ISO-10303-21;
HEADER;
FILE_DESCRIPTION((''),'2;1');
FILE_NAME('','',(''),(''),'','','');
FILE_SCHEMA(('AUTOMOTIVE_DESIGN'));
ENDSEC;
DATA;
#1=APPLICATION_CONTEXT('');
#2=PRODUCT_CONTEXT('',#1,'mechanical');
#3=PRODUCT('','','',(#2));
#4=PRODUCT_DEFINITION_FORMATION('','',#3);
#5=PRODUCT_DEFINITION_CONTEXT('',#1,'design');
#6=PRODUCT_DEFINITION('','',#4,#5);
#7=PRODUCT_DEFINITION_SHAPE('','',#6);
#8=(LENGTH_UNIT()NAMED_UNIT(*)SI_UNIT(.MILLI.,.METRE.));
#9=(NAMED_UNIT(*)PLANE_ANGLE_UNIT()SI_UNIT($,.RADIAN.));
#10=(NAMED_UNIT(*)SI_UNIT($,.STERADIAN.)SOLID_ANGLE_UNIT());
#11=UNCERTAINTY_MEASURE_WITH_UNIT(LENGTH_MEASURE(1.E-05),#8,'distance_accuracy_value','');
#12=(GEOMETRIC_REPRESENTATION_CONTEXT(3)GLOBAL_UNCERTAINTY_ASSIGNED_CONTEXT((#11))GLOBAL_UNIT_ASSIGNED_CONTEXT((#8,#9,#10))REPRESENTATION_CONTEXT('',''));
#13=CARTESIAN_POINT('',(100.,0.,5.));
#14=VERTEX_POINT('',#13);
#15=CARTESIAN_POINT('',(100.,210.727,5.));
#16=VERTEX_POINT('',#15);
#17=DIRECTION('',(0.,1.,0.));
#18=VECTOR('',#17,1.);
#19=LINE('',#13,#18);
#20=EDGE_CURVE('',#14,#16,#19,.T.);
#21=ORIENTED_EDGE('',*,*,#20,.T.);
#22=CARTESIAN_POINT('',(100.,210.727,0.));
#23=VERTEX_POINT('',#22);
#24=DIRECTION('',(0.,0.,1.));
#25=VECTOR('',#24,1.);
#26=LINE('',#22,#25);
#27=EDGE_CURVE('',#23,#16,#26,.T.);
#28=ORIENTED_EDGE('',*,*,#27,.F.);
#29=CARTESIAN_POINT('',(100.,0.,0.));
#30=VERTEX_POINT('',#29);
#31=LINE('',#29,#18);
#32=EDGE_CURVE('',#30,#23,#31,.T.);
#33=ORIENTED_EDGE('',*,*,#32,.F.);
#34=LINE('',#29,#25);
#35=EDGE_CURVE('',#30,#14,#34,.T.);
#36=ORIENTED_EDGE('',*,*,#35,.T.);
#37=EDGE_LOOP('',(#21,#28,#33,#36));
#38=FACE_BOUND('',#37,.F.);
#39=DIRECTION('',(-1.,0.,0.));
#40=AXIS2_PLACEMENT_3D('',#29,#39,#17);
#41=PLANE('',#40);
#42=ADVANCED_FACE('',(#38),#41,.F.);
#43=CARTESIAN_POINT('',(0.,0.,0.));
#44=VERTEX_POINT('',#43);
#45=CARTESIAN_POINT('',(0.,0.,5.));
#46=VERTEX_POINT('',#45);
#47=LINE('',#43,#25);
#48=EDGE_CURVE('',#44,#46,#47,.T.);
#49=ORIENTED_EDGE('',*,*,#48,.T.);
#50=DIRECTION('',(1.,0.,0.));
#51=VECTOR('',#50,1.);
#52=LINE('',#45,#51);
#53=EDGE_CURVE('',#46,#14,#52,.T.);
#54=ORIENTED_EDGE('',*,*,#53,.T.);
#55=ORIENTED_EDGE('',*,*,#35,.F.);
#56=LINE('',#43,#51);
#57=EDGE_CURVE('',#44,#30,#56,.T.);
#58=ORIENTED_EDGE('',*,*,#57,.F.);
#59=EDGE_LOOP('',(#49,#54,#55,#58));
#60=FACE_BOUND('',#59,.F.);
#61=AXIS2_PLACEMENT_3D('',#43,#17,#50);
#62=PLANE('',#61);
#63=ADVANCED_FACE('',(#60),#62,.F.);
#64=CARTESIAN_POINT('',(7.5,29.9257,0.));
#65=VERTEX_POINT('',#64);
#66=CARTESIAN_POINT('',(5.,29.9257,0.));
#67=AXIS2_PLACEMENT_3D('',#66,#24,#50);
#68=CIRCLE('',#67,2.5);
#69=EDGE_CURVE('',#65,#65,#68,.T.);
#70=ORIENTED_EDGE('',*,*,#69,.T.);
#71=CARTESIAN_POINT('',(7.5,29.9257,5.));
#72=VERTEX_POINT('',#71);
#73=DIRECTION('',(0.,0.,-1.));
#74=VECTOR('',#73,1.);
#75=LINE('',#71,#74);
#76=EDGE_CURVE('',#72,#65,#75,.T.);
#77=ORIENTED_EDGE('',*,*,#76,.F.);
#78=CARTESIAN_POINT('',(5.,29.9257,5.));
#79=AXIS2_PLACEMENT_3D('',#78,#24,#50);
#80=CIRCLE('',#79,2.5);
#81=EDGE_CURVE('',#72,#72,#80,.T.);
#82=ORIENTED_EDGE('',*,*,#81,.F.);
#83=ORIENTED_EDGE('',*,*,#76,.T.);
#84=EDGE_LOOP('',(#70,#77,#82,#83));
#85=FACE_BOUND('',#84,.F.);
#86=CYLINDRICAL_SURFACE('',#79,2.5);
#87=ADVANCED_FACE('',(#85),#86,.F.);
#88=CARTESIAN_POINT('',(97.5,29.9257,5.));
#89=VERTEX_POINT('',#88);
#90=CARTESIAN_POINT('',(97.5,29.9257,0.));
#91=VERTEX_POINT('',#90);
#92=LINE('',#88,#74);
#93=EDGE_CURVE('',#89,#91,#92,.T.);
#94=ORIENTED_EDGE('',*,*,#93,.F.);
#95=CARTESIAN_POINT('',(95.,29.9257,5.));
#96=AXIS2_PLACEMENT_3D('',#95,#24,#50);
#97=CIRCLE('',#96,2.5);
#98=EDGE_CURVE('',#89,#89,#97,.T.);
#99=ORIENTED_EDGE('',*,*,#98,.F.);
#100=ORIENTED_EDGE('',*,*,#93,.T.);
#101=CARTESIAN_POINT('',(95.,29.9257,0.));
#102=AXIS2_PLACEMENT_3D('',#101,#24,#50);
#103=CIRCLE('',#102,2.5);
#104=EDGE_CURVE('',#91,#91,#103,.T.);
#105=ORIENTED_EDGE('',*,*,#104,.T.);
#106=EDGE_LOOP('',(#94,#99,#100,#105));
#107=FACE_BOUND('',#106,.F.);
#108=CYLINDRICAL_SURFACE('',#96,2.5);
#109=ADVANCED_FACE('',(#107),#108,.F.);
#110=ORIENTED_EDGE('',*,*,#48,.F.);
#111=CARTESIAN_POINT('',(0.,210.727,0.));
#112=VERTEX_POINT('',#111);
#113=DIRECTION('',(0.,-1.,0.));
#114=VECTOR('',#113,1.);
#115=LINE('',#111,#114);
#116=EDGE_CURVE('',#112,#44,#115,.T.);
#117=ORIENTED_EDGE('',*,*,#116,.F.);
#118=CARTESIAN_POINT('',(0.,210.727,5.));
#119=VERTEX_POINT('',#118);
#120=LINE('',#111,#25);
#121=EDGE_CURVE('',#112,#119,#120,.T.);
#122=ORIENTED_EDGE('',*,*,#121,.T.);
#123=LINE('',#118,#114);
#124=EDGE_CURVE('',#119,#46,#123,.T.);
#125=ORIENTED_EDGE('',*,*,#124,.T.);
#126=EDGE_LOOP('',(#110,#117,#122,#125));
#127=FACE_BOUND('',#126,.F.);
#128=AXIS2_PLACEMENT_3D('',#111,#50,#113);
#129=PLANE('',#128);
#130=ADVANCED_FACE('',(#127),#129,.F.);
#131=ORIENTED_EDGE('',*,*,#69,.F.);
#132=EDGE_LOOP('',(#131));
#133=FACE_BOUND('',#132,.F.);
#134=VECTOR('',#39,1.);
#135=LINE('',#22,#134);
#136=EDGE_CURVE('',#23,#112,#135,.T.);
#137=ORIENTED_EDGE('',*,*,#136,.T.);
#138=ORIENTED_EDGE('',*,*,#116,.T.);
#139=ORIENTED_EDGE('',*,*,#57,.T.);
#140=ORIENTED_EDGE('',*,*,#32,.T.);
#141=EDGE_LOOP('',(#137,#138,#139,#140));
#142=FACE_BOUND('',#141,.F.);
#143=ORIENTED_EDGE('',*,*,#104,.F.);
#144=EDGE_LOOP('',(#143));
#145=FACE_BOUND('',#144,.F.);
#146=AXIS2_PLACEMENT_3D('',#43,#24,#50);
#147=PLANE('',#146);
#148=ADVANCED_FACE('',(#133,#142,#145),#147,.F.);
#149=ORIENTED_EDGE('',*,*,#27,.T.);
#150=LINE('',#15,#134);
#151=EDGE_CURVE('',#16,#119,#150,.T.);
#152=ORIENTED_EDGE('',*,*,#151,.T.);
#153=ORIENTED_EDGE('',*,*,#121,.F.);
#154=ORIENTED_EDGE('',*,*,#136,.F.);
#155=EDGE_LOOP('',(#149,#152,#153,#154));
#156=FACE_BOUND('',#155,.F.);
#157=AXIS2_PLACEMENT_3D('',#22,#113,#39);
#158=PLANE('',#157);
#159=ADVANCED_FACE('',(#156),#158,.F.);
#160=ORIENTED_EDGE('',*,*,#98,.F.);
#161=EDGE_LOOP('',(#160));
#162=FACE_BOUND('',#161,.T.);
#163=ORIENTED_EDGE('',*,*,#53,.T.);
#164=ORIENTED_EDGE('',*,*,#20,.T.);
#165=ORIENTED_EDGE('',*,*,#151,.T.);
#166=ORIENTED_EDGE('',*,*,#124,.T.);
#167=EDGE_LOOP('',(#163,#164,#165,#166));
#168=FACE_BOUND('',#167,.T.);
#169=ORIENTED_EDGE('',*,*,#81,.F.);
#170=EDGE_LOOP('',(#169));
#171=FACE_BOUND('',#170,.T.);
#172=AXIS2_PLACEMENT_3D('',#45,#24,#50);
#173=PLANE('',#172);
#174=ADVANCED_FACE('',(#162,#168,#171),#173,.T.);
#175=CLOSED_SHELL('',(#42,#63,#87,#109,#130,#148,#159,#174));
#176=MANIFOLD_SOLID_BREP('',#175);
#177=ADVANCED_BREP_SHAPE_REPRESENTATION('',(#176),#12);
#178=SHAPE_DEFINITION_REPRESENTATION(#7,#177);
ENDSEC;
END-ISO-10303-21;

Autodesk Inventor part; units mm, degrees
ref_plane "YZ Plane" through (0, 0, 0) normal (1, 0, 0) x (0, 1, 0)
ref_plane "XZ Plane" through (0, 0, 0) normal (0, 1, 0) x (-1, 0, 0)
ref_plane "XY Plane" through (0, 0, 0) normal (0, 0, 1) x (1, 0, 0)
sketch "Sketch1" plane through (0, 0, 0) normal (0, 0, 1) x (1, 0, 0)
  line L0 (0, 0) -> (100, 0)
  line L1 (100, 0) -> (100, 210.727)
  line L2 (100, 210.727) -> (0, 210.727)
  line L3 (0, 210.727) -> (0, 0)
  dimension "d0" = 100
  dimension "d1" = 210.7269
extrude "Extrusion1" add sketch "Sketch1" along normal blind 5
sketch "Sketch2" plane through (0, 0, 5) normal (0, 0, 1) x (1, 0, 0)
  circle A0 centre (5, 29.9257) radius 2.5
  circle A1 centre (95, 29.9257) radius 2.5
  line L0 (100, 0) -> (100, 210.727) projected
  line L1 (0, 0) -> (100, 0) projected
  dimension "d4" = 5
  dimension "d5" = 5
  dimension "d6" = 95
  dimension "d7" = 5
  dimension "d8" = 29.9257
  dimension "d9" = 29.9257
extrude "Extrusion2" cut sketch "Sketch2" against normal blind 5
properties material "ABS Plastic"
